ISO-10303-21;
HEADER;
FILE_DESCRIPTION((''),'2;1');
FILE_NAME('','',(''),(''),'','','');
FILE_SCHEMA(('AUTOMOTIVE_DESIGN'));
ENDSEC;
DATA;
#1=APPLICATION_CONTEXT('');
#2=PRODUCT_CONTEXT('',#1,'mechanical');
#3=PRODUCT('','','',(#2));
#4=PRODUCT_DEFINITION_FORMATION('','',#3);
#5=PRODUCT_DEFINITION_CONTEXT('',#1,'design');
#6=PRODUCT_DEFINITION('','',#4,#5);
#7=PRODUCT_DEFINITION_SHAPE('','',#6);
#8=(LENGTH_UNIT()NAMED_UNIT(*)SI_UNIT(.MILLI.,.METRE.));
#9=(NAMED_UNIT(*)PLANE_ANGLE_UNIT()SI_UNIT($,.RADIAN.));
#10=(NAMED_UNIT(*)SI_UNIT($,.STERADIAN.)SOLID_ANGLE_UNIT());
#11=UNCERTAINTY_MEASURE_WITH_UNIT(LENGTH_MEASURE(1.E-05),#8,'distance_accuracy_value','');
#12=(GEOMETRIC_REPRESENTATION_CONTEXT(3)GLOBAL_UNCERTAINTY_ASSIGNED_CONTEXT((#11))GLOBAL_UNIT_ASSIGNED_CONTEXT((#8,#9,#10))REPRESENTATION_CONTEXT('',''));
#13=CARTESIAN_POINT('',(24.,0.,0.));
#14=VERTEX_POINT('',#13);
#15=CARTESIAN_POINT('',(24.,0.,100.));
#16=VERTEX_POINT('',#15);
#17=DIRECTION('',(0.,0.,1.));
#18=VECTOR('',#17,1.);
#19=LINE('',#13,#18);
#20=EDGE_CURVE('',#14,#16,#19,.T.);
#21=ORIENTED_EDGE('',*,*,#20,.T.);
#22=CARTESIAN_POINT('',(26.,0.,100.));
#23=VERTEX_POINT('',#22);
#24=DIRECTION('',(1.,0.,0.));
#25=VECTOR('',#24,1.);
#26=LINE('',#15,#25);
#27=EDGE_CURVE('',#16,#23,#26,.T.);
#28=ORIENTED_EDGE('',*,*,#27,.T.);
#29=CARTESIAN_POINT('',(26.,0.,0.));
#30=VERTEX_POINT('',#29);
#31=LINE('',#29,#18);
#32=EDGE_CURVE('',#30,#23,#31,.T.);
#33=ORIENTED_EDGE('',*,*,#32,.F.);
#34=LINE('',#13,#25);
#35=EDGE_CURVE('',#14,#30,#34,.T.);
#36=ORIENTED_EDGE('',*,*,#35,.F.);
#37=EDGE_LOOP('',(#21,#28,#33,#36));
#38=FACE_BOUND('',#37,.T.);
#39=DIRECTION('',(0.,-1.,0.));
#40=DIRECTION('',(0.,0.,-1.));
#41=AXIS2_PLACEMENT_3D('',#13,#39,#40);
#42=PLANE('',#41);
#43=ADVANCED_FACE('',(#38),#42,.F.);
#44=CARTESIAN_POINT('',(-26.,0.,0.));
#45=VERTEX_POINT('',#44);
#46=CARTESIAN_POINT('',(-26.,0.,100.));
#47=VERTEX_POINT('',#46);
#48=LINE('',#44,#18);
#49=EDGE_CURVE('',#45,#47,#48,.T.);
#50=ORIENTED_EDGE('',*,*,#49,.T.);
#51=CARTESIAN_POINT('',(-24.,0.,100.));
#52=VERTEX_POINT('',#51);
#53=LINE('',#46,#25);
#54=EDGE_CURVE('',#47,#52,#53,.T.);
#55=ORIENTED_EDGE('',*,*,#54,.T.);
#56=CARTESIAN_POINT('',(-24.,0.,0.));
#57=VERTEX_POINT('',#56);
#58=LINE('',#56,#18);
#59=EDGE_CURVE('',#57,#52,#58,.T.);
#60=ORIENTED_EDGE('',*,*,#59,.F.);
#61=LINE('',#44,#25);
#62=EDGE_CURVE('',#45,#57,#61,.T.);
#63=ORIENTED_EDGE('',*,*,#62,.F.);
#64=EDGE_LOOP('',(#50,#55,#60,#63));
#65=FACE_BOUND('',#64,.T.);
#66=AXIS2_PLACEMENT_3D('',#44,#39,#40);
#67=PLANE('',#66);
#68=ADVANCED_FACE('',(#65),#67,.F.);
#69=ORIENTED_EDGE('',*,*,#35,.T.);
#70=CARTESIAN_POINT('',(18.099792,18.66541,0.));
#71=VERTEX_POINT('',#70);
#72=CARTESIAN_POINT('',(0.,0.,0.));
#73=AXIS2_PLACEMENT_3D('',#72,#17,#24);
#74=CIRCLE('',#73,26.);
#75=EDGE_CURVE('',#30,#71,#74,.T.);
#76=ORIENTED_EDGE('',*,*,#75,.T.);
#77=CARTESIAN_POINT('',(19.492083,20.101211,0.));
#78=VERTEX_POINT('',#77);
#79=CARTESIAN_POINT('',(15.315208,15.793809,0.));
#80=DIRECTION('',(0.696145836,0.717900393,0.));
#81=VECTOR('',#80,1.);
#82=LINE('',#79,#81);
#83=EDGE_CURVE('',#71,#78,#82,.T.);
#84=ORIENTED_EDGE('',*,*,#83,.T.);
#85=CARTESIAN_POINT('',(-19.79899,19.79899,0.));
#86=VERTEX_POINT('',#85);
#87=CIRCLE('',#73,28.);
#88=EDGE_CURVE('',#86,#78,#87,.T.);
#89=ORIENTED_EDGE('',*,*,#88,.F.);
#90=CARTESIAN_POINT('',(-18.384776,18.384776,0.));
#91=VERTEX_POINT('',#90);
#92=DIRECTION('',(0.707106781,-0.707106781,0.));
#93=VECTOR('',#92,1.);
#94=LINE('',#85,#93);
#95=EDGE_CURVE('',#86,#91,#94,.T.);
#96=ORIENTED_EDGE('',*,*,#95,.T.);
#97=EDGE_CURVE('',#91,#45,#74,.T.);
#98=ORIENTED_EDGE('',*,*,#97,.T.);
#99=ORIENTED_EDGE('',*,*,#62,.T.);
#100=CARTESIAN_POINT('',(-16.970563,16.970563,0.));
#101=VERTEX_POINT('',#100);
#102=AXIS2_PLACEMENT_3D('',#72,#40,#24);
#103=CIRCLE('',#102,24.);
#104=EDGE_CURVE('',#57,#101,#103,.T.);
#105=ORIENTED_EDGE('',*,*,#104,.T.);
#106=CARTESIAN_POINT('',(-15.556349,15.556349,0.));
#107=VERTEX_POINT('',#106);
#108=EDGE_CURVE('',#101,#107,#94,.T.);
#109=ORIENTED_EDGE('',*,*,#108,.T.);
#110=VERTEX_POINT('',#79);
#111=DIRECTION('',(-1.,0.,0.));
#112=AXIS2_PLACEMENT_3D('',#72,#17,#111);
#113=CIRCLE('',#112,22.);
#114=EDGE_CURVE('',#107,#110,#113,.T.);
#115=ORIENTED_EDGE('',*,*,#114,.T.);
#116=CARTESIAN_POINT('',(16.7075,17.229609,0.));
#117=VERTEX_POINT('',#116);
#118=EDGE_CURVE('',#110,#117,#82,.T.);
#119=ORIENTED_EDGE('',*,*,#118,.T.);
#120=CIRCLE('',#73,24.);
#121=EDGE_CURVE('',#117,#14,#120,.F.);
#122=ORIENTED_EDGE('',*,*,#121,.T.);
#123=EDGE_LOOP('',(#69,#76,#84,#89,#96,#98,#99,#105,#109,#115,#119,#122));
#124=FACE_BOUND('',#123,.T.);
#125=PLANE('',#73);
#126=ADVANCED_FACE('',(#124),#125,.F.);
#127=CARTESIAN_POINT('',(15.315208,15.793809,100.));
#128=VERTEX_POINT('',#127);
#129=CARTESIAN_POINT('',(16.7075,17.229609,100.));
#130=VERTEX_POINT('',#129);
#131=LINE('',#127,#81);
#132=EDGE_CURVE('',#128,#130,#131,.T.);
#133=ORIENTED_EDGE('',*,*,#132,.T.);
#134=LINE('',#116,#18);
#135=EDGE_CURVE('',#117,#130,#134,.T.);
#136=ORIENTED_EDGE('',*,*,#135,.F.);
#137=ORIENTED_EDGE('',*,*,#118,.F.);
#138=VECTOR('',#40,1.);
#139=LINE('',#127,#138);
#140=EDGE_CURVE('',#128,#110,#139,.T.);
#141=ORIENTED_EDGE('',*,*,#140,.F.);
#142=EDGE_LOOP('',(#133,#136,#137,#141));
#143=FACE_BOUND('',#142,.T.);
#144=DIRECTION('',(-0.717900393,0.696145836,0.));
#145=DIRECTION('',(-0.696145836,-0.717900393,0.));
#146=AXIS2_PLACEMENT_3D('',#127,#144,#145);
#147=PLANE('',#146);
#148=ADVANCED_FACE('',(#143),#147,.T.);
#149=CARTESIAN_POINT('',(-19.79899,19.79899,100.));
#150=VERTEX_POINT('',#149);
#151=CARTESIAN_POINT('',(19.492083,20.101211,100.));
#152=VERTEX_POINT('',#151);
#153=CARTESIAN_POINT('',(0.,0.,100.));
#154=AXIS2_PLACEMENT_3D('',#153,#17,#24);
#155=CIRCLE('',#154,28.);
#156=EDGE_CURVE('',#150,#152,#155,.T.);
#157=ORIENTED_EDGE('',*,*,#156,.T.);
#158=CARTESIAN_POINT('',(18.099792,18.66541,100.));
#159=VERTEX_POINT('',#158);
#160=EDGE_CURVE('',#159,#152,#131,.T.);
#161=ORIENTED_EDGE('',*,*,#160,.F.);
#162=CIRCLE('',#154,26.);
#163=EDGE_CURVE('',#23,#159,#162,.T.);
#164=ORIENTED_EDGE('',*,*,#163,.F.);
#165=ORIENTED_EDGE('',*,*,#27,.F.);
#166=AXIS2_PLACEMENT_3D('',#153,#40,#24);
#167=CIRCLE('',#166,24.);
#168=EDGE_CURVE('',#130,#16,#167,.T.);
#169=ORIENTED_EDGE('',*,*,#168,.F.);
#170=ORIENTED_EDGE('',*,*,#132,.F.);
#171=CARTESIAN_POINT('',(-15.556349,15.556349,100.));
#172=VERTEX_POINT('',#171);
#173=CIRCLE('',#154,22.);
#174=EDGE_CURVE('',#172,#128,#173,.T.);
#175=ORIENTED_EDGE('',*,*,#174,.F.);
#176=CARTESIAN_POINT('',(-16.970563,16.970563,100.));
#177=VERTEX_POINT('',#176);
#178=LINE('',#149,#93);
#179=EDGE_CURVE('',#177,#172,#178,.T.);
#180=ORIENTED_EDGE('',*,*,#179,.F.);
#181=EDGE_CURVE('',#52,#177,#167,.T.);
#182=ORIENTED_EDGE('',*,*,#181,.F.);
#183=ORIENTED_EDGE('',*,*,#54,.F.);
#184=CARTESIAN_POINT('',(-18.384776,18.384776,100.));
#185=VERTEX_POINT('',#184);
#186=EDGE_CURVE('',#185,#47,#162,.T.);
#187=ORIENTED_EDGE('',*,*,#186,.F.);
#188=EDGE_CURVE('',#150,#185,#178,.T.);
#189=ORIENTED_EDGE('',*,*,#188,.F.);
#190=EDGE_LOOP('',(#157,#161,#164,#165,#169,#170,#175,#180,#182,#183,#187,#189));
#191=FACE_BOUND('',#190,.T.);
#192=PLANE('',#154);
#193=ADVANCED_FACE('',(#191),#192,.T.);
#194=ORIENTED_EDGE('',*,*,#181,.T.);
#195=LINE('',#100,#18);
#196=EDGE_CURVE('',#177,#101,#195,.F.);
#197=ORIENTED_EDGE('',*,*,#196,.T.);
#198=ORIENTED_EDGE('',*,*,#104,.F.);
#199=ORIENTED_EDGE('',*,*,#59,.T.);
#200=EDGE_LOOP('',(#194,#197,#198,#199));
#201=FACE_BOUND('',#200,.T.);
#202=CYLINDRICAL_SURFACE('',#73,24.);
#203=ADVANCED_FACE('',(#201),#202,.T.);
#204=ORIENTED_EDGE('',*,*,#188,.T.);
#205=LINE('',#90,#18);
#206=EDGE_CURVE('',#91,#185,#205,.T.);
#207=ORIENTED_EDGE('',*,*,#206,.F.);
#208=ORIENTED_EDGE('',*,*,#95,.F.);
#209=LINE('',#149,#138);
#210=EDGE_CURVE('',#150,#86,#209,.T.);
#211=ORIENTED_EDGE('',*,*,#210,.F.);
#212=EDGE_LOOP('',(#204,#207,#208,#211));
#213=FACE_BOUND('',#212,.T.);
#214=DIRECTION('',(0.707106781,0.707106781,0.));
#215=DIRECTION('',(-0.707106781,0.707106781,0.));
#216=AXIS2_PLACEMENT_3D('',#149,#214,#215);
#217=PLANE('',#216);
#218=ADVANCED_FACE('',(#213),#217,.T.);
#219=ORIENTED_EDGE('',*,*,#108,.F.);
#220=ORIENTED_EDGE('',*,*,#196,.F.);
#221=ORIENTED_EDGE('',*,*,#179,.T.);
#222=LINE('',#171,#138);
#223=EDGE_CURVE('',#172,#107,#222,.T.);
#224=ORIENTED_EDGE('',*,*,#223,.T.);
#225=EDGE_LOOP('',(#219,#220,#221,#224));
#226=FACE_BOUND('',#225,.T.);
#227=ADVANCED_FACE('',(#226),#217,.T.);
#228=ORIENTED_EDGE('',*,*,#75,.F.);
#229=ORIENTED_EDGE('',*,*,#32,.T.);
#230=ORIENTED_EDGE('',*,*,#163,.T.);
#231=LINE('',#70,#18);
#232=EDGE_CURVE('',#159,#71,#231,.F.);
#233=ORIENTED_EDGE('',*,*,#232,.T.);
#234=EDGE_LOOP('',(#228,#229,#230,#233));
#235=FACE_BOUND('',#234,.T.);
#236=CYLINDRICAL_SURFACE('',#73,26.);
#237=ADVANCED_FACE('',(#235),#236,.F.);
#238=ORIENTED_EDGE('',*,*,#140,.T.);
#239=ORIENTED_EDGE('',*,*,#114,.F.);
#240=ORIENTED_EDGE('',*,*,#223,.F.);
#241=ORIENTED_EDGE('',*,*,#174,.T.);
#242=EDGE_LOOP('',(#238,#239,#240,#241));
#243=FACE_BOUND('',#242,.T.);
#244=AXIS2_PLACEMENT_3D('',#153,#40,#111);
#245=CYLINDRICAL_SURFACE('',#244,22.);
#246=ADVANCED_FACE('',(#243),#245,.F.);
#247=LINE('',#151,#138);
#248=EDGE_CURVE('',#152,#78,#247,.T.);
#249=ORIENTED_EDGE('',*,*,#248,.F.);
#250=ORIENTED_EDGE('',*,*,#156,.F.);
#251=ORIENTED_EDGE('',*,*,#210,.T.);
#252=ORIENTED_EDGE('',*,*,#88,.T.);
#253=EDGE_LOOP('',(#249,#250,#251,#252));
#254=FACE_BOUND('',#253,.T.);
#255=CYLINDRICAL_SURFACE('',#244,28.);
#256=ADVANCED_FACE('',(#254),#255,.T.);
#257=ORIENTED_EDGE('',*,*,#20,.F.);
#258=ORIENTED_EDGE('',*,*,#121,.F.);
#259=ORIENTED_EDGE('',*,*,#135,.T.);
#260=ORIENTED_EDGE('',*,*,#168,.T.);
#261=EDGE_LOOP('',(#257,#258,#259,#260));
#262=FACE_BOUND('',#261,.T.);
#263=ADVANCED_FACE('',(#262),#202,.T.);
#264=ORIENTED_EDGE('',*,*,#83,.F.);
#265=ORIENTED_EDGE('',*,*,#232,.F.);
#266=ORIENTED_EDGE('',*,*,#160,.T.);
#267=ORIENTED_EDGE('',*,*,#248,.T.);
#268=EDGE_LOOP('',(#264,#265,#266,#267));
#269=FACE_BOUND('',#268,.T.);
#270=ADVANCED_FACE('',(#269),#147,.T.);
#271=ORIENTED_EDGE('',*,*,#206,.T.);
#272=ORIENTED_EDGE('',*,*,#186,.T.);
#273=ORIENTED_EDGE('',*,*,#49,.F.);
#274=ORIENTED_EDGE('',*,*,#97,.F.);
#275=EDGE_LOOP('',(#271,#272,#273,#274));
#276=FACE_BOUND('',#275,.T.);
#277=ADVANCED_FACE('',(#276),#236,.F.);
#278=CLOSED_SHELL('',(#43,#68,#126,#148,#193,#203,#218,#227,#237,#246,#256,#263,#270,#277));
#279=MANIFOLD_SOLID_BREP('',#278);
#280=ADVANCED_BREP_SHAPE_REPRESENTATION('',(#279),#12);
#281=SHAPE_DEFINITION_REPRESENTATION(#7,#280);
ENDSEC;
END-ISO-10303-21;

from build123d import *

# Parameters (mm, degrees)
EXTRU_MINCE2_DEPTH      = 100
ENL_V_MAT_EXTRU_2_DEPTH = 100


with BuildPart() as part:
    # Esquisse3 → Extru.-Mince2 (new body)
    with BuildSketch(Plane.XY):
        with BuildLine():
            ThreePointArc((15.315208394, 15.793808656), (20.193436478, 8.730700042), (21.997396912, 0.338421491))
            ThreePointArc((21.997396912, 0.338421491), (0.169215751, -21.999349218), (-22, 0))
            ThreePointArc((-22, 0), (-20.325349715, 8.419035512), (-15.556349186, 15.556349186))
            Line((-15.556349186, 15.556349186), (-19.798989873, 19.798989873))
            ThreePointArc((-19.798989873, 19.798989873), (-25.86862691, 10.715136106), (-28, 0))
            ThreePointArc((-28, 0), (0.215365501, -27.999171732), (27.996686979, 0.430718261))
            ThreePointArc((27.996686979, 0.430718261), (25.700737335, 11.111800054), (19.49208341, 20.101211017))
            Line((19.49208341, 20.101211017), (15.315208394, 15.793808656))
        make_face()
    extrude(amount=EXTRU_MINCE2_DEPTH)

    # Esquisse7 → Enlèv. mat.-Extru.2 (cut)
    with BuildSketch(Plane.XY.offset(100)):
        with BuildLine():
            Line((-26, 0), (-24, 0))
            ThreePointArc((-24, 0), (0, 24), (24, 0))
            Line((24, 0), (26, 0))
            ThreePointArc((26, 0), (0, 26), (-26, 0))
        make_face()
    extrude(amount=-ENL_V_MAT_EXTRU_2_DEPTH, mode=Mode.SUBTRACT)


solid = part.part
